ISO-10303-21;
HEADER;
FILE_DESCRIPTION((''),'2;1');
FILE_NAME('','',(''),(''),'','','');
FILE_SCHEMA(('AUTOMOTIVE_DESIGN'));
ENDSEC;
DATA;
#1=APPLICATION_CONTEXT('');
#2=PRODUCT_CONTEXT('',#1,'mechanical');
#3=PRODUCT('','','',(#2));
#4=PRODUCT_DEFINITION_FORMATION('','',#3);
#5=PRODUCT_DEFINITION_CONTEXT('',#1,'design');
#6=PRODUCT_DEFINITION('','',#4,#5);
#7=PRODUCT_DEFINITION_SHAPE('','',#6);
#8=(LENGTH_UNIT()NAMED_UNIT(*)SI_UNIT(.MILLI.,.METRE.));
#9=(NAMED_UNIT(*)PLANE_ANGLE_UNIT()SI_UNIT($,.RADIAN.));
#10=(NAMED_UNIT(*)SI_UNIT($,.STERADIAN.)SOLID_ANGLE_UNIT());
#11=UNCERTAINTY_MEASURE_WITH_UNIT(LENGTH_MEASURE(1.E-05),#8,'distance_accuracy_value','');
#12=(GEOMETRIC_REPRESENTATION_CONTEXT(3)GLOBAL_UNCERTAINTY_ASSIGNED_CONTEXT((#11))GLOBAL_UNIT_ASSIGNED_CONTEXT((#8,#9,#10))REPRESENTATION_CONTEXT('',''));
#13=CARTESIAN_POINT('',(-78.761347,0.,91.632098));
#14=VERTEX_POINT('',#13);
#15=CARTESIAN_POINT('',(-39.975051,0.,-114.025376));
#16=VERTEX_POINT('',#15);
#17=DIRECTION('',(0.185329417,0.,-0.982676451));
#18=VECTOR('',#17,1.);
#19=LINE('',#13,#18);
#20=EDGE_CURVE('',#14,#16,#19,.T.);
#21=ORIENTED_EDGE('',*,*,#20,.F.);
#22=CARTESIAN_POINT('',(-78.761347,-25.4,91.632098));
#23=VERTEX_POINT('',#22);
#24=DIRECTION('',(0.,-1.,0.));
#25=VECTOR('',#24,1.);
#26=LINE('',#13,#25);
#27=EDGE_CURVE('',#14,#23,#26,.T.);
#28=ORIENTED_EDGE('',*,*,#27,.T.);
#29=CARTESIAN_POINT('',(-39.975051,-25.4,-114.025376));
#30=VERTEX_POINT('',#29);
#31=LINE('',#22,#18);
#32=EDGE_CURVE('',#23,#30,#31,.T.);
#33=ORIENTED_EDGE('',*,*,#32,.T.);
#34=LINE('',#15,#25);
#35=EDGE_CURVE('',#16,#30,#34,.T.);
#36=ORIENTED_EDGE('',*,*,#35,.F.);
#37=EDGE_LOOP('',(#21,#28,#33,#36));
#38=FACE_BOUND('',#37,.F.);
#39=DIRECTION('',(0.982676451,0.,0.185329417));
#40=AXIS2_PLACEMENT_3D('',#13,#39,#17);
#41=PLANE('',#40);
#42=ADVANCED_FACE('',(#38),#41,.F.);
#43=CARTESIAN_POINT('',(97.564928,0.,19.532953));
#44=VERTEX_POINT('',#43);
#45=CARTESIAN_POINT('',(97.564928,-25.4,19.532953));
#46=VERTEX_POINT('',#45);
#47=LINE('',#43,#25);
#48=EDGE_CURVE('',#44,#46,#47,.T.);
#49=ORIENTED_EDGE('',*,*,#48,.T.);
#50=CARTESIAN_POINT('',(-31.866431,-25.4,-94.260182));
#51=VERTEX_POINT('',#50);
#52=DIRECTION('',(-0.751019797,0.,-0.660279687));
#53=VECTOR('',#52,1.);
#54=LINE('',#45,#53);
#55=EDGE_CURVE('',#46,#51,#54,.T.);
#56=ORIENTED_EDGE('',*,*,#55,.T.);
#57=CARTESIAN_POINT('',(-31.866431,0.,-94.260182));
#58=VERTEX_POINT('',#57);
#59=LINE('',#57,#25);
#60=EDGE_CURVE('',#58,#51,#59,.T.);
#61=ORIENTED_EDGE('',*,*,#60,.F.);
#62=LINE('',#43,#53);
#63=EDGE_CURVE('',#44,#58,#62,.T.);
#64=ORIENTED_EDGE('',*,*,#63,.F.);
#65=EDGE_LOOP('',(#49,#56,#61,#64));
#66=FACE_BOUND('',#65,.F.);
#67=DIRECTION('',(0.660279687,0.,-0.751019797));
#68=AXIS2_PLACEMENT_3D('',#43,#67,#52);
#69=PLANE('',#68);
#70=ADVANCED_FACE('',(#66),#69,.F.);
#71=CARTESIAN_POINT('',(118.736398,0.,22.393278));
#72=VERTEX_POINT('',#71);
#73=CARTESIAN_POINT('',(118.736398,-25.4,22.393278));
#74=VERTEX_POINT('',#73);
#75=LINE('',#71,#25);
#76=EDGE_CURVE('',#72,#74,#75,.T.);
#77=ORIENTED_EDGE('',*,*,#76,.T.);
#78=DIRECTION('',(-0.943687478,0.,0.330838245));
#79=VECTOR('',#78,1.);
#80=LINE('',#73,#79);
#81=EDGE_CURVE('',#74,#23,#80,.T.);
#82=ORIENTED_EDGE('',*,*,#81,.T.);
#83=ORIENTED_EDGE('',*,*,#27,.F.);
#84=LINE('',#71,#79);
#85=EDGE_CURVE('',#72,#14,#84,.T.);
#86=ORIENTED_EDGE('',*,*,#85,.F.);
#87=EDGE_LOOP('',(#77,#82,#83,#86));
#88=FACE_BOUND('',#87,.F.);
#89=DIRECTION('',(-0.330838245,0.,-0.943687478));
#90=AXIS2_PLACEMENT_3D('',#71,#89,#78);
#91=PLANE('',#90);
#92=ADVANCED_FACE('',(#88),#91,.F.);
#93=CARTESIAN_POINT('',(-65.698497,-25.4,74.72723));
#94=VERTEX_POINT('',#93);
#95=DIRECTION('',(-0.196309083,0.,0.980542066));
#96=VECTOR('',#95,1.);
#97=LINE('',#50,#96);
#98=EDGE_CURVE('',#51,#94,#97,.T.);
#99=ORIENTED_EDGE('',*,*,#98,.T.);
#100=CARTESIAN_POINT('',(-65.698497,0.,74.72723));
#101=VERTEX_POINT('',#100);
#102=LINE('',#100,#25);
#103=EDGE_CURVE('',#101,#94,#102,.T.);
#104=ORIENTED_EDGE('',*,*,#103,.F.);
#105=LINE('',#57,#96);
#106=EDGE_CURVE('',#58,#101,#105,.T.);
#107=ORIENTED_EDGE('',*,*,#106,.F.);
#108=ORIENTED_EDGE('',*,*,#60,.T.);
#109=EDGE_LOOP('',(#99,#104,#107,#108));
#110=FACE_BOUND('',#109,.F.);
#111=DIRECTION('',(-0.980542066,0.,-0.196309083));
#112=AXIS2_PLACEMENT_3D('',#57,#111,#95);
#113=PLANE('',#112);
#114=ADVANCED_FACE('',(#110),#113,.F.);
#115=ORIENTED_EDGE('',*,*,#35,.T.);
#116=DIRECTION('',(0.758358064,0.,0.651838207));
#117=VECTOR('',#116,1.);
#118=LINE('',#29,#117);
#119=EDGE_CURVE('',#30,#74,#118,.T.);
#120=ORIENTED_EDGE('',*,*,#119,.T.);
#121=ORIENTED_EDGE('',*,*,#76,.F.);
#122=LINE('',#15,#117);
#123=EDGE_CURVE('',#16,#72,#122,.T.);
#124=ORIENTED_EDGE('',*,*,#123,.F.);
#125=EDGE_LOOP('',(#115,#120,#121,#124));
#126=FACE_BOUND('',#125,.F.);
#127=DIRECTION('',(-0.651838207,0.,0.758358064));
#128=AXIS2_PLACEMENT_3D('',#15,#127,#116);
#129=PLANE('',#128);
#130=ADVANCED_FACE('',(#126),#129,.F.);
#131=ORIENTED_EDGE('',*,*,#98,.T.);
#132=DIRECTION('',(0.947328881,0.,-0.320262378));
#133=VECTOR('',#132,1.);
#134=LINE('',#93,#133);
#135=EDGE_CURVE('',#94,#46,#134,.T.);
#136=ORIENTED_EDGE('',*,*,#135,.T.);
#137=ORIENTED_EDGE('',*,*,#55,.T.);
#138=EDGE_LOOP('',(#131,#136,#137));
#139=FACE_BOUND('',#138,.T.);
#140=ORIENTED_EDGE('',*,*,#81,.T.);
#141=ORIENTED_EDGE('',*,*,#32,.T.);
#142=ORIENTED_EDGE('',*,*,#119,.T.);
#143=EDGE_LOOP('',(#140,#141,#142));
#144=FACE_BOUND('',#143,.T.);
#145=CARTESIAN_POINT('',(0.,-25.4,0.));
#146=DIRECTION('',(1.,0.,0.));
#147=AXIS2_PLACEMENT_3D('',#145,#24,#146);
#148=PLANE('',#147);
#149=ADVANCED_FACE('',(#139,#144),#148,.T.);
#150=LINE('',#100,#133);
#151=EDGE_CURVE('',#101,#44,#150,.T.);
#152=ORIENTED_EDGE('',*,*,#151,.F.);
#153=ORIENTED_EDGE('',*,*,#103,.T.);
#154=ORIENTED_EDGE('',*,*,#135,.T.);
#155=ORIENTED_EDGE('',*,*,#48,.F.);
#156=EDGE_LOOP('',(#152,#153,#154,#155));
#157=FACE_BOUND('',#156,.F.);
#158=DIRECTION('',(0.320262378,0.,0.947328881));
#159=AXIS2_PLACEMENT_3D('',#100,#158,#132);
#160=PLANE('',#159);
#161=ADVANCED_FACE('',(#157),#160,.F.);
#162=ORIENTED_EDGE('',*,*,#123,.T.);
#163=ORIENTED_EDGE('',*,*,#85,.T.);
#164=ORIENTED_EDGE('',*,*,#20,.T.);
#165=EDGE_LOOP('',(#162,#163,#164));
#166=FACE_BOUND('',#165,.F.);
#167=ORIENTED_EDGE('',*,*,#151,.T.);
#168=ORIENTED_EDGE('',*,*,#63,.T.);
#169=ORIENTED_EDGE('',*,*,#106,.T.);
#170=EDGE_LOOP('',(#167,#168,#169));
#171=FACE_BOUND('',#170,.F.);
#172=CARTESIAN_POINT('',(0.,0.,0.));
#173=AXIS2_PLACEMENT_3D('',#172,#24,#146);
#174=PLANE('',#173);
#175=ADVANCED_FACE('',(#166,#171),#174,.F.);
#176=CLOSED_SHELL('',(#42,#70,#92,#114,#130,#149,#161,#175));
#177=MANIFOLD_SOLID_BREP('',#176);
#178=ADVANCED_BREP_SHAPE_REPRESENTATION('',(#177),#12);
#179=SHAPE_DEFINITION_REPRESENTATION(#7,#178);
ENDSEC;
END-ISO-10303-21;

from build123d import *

# Parameters (mm, degrees)
F1_DEPTH = 25.4


with BuildPart() as f1:
    # F0 (on Front) → F1 (new body)
    with BuildSketch(Plane.XZ):
        Polygon((-39.975051, -114.025376), (118.736398, 22.393278), (-78.761347, 91.632098), align=None)
        Polygon((-65.698497, 74.72723), (97.564928, 19.532953), (-31.866431, -94.260182), align=None, mode=Mode.SUBTRACT)
    extrude(amount=F1_DEPTH)


solid = f1.part
